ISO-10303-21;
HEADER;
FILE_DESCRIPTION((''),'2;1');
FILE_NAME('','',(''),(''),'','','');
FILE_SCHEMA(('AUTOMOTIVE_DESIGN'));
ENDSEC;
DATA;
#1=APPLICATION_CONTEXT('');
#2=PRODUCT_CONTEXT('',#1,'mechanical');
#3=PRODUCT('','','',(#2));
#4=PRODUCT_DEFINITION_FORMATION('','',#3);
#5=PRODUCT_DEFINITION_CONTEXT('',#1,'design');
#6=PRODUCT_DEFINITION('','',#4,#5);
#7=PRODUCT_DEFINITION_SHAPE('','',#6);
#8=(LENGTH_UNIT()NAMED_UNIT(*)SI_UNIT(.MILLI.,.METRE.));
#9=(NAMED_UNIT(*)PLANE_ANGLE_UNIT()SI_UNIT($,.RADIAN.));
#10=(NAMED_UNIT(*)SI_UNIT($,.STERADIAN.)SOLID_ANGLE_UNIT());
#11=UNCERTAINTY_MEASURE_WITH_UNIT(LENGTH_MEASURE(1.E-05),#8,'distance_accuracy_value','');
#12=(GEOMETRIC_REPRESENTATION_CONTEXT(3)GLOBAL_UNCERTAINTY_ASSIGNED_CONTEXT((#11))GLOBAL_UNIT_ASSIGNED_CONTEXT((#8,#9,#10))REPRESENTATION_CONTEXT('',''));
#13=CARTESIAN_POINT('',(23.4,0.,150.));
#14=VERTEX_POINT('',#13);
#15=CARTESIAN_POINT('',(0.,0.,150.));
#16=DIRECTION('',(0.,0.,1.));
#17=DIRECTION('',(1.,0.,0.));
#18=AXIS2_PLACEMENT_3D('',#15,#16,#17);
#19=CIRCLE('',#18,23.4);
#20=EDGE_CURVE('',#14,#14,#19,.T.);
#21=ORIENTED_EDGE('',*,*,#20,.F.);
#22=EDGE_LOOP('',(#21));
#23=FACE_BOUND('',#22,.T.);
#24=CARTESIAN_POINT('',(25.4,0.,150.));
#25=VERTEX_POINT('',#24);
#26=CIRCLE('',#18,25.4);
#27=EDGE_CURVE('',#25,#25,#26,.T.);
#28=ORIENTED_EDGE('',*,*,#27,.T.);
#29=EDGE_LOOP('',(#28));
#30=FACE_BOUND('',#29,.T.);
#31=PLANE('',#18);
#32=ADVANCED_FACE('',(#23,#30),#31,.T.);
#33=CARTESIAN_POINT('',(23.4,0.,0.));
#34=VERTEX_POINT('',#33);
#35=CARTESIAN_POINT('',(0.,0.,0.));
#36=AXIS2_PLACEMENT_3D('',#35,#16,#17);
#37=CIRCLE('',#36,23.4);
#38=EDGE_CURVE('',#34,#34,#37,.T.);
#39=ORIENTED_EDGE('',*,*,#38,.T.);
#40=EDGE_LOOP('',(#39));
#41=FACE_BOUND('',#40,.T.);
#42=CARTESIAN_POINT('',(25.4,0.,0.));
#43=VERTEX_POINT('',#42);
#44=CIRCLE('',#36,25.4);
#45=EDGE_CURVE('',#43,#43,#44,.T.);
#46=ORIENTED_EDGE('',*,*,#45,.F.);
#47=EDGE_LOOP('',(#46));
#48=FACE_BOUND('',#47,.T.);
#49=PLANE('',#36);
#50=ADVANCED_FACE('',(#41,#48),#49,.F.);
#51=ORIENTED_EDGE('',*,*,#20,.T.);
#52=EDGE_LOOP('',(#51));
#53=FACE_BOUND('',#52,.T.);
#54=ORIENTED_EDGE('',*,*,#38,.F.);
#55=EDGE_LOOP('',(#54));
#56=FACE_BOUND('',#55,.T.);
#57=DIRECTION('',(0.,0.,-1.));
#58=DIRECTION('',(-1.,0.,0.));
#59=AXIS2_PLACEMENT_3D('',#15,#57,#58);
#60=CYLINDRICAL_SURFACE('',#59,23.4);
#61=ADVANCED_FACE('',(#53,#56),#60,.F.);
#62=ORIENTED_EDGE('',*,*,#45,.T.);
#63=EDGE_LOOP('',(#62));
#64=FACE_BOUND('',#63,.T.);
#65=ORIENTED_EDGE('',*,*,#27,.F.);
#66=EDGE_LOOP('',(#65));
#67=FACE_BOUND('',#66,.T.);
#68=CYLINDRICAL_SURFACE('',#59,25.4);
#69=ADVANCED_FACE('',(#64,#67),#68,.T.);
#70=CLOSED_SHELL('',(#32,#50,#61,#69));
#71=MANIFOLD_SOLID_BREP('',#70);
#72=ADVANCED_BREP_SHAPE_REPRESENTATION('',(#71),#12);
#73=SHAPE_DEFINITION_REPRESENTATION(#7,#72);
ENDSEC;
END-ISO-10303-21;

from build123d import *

# Parameters (mm, degrees)
ESBO_O1_R                = 25.4
ESBO_O1_R_2              = 23.4
RESSALTO_EXTRUS_O1_DEPTH = 150


with BuildPart() as part:
    # Esboço1 → Ressalto-extrusão1 (new body)
    with BuildSketch(Plane.XY):
        Circle(ESBO_O1_R)
        Circle(ESBO_O1_R_2, mode=Mode.SUBTRACT)
    extrude(amount=RESSALTO_EXTRUS_O1_DEPTH)


solid = part.part
